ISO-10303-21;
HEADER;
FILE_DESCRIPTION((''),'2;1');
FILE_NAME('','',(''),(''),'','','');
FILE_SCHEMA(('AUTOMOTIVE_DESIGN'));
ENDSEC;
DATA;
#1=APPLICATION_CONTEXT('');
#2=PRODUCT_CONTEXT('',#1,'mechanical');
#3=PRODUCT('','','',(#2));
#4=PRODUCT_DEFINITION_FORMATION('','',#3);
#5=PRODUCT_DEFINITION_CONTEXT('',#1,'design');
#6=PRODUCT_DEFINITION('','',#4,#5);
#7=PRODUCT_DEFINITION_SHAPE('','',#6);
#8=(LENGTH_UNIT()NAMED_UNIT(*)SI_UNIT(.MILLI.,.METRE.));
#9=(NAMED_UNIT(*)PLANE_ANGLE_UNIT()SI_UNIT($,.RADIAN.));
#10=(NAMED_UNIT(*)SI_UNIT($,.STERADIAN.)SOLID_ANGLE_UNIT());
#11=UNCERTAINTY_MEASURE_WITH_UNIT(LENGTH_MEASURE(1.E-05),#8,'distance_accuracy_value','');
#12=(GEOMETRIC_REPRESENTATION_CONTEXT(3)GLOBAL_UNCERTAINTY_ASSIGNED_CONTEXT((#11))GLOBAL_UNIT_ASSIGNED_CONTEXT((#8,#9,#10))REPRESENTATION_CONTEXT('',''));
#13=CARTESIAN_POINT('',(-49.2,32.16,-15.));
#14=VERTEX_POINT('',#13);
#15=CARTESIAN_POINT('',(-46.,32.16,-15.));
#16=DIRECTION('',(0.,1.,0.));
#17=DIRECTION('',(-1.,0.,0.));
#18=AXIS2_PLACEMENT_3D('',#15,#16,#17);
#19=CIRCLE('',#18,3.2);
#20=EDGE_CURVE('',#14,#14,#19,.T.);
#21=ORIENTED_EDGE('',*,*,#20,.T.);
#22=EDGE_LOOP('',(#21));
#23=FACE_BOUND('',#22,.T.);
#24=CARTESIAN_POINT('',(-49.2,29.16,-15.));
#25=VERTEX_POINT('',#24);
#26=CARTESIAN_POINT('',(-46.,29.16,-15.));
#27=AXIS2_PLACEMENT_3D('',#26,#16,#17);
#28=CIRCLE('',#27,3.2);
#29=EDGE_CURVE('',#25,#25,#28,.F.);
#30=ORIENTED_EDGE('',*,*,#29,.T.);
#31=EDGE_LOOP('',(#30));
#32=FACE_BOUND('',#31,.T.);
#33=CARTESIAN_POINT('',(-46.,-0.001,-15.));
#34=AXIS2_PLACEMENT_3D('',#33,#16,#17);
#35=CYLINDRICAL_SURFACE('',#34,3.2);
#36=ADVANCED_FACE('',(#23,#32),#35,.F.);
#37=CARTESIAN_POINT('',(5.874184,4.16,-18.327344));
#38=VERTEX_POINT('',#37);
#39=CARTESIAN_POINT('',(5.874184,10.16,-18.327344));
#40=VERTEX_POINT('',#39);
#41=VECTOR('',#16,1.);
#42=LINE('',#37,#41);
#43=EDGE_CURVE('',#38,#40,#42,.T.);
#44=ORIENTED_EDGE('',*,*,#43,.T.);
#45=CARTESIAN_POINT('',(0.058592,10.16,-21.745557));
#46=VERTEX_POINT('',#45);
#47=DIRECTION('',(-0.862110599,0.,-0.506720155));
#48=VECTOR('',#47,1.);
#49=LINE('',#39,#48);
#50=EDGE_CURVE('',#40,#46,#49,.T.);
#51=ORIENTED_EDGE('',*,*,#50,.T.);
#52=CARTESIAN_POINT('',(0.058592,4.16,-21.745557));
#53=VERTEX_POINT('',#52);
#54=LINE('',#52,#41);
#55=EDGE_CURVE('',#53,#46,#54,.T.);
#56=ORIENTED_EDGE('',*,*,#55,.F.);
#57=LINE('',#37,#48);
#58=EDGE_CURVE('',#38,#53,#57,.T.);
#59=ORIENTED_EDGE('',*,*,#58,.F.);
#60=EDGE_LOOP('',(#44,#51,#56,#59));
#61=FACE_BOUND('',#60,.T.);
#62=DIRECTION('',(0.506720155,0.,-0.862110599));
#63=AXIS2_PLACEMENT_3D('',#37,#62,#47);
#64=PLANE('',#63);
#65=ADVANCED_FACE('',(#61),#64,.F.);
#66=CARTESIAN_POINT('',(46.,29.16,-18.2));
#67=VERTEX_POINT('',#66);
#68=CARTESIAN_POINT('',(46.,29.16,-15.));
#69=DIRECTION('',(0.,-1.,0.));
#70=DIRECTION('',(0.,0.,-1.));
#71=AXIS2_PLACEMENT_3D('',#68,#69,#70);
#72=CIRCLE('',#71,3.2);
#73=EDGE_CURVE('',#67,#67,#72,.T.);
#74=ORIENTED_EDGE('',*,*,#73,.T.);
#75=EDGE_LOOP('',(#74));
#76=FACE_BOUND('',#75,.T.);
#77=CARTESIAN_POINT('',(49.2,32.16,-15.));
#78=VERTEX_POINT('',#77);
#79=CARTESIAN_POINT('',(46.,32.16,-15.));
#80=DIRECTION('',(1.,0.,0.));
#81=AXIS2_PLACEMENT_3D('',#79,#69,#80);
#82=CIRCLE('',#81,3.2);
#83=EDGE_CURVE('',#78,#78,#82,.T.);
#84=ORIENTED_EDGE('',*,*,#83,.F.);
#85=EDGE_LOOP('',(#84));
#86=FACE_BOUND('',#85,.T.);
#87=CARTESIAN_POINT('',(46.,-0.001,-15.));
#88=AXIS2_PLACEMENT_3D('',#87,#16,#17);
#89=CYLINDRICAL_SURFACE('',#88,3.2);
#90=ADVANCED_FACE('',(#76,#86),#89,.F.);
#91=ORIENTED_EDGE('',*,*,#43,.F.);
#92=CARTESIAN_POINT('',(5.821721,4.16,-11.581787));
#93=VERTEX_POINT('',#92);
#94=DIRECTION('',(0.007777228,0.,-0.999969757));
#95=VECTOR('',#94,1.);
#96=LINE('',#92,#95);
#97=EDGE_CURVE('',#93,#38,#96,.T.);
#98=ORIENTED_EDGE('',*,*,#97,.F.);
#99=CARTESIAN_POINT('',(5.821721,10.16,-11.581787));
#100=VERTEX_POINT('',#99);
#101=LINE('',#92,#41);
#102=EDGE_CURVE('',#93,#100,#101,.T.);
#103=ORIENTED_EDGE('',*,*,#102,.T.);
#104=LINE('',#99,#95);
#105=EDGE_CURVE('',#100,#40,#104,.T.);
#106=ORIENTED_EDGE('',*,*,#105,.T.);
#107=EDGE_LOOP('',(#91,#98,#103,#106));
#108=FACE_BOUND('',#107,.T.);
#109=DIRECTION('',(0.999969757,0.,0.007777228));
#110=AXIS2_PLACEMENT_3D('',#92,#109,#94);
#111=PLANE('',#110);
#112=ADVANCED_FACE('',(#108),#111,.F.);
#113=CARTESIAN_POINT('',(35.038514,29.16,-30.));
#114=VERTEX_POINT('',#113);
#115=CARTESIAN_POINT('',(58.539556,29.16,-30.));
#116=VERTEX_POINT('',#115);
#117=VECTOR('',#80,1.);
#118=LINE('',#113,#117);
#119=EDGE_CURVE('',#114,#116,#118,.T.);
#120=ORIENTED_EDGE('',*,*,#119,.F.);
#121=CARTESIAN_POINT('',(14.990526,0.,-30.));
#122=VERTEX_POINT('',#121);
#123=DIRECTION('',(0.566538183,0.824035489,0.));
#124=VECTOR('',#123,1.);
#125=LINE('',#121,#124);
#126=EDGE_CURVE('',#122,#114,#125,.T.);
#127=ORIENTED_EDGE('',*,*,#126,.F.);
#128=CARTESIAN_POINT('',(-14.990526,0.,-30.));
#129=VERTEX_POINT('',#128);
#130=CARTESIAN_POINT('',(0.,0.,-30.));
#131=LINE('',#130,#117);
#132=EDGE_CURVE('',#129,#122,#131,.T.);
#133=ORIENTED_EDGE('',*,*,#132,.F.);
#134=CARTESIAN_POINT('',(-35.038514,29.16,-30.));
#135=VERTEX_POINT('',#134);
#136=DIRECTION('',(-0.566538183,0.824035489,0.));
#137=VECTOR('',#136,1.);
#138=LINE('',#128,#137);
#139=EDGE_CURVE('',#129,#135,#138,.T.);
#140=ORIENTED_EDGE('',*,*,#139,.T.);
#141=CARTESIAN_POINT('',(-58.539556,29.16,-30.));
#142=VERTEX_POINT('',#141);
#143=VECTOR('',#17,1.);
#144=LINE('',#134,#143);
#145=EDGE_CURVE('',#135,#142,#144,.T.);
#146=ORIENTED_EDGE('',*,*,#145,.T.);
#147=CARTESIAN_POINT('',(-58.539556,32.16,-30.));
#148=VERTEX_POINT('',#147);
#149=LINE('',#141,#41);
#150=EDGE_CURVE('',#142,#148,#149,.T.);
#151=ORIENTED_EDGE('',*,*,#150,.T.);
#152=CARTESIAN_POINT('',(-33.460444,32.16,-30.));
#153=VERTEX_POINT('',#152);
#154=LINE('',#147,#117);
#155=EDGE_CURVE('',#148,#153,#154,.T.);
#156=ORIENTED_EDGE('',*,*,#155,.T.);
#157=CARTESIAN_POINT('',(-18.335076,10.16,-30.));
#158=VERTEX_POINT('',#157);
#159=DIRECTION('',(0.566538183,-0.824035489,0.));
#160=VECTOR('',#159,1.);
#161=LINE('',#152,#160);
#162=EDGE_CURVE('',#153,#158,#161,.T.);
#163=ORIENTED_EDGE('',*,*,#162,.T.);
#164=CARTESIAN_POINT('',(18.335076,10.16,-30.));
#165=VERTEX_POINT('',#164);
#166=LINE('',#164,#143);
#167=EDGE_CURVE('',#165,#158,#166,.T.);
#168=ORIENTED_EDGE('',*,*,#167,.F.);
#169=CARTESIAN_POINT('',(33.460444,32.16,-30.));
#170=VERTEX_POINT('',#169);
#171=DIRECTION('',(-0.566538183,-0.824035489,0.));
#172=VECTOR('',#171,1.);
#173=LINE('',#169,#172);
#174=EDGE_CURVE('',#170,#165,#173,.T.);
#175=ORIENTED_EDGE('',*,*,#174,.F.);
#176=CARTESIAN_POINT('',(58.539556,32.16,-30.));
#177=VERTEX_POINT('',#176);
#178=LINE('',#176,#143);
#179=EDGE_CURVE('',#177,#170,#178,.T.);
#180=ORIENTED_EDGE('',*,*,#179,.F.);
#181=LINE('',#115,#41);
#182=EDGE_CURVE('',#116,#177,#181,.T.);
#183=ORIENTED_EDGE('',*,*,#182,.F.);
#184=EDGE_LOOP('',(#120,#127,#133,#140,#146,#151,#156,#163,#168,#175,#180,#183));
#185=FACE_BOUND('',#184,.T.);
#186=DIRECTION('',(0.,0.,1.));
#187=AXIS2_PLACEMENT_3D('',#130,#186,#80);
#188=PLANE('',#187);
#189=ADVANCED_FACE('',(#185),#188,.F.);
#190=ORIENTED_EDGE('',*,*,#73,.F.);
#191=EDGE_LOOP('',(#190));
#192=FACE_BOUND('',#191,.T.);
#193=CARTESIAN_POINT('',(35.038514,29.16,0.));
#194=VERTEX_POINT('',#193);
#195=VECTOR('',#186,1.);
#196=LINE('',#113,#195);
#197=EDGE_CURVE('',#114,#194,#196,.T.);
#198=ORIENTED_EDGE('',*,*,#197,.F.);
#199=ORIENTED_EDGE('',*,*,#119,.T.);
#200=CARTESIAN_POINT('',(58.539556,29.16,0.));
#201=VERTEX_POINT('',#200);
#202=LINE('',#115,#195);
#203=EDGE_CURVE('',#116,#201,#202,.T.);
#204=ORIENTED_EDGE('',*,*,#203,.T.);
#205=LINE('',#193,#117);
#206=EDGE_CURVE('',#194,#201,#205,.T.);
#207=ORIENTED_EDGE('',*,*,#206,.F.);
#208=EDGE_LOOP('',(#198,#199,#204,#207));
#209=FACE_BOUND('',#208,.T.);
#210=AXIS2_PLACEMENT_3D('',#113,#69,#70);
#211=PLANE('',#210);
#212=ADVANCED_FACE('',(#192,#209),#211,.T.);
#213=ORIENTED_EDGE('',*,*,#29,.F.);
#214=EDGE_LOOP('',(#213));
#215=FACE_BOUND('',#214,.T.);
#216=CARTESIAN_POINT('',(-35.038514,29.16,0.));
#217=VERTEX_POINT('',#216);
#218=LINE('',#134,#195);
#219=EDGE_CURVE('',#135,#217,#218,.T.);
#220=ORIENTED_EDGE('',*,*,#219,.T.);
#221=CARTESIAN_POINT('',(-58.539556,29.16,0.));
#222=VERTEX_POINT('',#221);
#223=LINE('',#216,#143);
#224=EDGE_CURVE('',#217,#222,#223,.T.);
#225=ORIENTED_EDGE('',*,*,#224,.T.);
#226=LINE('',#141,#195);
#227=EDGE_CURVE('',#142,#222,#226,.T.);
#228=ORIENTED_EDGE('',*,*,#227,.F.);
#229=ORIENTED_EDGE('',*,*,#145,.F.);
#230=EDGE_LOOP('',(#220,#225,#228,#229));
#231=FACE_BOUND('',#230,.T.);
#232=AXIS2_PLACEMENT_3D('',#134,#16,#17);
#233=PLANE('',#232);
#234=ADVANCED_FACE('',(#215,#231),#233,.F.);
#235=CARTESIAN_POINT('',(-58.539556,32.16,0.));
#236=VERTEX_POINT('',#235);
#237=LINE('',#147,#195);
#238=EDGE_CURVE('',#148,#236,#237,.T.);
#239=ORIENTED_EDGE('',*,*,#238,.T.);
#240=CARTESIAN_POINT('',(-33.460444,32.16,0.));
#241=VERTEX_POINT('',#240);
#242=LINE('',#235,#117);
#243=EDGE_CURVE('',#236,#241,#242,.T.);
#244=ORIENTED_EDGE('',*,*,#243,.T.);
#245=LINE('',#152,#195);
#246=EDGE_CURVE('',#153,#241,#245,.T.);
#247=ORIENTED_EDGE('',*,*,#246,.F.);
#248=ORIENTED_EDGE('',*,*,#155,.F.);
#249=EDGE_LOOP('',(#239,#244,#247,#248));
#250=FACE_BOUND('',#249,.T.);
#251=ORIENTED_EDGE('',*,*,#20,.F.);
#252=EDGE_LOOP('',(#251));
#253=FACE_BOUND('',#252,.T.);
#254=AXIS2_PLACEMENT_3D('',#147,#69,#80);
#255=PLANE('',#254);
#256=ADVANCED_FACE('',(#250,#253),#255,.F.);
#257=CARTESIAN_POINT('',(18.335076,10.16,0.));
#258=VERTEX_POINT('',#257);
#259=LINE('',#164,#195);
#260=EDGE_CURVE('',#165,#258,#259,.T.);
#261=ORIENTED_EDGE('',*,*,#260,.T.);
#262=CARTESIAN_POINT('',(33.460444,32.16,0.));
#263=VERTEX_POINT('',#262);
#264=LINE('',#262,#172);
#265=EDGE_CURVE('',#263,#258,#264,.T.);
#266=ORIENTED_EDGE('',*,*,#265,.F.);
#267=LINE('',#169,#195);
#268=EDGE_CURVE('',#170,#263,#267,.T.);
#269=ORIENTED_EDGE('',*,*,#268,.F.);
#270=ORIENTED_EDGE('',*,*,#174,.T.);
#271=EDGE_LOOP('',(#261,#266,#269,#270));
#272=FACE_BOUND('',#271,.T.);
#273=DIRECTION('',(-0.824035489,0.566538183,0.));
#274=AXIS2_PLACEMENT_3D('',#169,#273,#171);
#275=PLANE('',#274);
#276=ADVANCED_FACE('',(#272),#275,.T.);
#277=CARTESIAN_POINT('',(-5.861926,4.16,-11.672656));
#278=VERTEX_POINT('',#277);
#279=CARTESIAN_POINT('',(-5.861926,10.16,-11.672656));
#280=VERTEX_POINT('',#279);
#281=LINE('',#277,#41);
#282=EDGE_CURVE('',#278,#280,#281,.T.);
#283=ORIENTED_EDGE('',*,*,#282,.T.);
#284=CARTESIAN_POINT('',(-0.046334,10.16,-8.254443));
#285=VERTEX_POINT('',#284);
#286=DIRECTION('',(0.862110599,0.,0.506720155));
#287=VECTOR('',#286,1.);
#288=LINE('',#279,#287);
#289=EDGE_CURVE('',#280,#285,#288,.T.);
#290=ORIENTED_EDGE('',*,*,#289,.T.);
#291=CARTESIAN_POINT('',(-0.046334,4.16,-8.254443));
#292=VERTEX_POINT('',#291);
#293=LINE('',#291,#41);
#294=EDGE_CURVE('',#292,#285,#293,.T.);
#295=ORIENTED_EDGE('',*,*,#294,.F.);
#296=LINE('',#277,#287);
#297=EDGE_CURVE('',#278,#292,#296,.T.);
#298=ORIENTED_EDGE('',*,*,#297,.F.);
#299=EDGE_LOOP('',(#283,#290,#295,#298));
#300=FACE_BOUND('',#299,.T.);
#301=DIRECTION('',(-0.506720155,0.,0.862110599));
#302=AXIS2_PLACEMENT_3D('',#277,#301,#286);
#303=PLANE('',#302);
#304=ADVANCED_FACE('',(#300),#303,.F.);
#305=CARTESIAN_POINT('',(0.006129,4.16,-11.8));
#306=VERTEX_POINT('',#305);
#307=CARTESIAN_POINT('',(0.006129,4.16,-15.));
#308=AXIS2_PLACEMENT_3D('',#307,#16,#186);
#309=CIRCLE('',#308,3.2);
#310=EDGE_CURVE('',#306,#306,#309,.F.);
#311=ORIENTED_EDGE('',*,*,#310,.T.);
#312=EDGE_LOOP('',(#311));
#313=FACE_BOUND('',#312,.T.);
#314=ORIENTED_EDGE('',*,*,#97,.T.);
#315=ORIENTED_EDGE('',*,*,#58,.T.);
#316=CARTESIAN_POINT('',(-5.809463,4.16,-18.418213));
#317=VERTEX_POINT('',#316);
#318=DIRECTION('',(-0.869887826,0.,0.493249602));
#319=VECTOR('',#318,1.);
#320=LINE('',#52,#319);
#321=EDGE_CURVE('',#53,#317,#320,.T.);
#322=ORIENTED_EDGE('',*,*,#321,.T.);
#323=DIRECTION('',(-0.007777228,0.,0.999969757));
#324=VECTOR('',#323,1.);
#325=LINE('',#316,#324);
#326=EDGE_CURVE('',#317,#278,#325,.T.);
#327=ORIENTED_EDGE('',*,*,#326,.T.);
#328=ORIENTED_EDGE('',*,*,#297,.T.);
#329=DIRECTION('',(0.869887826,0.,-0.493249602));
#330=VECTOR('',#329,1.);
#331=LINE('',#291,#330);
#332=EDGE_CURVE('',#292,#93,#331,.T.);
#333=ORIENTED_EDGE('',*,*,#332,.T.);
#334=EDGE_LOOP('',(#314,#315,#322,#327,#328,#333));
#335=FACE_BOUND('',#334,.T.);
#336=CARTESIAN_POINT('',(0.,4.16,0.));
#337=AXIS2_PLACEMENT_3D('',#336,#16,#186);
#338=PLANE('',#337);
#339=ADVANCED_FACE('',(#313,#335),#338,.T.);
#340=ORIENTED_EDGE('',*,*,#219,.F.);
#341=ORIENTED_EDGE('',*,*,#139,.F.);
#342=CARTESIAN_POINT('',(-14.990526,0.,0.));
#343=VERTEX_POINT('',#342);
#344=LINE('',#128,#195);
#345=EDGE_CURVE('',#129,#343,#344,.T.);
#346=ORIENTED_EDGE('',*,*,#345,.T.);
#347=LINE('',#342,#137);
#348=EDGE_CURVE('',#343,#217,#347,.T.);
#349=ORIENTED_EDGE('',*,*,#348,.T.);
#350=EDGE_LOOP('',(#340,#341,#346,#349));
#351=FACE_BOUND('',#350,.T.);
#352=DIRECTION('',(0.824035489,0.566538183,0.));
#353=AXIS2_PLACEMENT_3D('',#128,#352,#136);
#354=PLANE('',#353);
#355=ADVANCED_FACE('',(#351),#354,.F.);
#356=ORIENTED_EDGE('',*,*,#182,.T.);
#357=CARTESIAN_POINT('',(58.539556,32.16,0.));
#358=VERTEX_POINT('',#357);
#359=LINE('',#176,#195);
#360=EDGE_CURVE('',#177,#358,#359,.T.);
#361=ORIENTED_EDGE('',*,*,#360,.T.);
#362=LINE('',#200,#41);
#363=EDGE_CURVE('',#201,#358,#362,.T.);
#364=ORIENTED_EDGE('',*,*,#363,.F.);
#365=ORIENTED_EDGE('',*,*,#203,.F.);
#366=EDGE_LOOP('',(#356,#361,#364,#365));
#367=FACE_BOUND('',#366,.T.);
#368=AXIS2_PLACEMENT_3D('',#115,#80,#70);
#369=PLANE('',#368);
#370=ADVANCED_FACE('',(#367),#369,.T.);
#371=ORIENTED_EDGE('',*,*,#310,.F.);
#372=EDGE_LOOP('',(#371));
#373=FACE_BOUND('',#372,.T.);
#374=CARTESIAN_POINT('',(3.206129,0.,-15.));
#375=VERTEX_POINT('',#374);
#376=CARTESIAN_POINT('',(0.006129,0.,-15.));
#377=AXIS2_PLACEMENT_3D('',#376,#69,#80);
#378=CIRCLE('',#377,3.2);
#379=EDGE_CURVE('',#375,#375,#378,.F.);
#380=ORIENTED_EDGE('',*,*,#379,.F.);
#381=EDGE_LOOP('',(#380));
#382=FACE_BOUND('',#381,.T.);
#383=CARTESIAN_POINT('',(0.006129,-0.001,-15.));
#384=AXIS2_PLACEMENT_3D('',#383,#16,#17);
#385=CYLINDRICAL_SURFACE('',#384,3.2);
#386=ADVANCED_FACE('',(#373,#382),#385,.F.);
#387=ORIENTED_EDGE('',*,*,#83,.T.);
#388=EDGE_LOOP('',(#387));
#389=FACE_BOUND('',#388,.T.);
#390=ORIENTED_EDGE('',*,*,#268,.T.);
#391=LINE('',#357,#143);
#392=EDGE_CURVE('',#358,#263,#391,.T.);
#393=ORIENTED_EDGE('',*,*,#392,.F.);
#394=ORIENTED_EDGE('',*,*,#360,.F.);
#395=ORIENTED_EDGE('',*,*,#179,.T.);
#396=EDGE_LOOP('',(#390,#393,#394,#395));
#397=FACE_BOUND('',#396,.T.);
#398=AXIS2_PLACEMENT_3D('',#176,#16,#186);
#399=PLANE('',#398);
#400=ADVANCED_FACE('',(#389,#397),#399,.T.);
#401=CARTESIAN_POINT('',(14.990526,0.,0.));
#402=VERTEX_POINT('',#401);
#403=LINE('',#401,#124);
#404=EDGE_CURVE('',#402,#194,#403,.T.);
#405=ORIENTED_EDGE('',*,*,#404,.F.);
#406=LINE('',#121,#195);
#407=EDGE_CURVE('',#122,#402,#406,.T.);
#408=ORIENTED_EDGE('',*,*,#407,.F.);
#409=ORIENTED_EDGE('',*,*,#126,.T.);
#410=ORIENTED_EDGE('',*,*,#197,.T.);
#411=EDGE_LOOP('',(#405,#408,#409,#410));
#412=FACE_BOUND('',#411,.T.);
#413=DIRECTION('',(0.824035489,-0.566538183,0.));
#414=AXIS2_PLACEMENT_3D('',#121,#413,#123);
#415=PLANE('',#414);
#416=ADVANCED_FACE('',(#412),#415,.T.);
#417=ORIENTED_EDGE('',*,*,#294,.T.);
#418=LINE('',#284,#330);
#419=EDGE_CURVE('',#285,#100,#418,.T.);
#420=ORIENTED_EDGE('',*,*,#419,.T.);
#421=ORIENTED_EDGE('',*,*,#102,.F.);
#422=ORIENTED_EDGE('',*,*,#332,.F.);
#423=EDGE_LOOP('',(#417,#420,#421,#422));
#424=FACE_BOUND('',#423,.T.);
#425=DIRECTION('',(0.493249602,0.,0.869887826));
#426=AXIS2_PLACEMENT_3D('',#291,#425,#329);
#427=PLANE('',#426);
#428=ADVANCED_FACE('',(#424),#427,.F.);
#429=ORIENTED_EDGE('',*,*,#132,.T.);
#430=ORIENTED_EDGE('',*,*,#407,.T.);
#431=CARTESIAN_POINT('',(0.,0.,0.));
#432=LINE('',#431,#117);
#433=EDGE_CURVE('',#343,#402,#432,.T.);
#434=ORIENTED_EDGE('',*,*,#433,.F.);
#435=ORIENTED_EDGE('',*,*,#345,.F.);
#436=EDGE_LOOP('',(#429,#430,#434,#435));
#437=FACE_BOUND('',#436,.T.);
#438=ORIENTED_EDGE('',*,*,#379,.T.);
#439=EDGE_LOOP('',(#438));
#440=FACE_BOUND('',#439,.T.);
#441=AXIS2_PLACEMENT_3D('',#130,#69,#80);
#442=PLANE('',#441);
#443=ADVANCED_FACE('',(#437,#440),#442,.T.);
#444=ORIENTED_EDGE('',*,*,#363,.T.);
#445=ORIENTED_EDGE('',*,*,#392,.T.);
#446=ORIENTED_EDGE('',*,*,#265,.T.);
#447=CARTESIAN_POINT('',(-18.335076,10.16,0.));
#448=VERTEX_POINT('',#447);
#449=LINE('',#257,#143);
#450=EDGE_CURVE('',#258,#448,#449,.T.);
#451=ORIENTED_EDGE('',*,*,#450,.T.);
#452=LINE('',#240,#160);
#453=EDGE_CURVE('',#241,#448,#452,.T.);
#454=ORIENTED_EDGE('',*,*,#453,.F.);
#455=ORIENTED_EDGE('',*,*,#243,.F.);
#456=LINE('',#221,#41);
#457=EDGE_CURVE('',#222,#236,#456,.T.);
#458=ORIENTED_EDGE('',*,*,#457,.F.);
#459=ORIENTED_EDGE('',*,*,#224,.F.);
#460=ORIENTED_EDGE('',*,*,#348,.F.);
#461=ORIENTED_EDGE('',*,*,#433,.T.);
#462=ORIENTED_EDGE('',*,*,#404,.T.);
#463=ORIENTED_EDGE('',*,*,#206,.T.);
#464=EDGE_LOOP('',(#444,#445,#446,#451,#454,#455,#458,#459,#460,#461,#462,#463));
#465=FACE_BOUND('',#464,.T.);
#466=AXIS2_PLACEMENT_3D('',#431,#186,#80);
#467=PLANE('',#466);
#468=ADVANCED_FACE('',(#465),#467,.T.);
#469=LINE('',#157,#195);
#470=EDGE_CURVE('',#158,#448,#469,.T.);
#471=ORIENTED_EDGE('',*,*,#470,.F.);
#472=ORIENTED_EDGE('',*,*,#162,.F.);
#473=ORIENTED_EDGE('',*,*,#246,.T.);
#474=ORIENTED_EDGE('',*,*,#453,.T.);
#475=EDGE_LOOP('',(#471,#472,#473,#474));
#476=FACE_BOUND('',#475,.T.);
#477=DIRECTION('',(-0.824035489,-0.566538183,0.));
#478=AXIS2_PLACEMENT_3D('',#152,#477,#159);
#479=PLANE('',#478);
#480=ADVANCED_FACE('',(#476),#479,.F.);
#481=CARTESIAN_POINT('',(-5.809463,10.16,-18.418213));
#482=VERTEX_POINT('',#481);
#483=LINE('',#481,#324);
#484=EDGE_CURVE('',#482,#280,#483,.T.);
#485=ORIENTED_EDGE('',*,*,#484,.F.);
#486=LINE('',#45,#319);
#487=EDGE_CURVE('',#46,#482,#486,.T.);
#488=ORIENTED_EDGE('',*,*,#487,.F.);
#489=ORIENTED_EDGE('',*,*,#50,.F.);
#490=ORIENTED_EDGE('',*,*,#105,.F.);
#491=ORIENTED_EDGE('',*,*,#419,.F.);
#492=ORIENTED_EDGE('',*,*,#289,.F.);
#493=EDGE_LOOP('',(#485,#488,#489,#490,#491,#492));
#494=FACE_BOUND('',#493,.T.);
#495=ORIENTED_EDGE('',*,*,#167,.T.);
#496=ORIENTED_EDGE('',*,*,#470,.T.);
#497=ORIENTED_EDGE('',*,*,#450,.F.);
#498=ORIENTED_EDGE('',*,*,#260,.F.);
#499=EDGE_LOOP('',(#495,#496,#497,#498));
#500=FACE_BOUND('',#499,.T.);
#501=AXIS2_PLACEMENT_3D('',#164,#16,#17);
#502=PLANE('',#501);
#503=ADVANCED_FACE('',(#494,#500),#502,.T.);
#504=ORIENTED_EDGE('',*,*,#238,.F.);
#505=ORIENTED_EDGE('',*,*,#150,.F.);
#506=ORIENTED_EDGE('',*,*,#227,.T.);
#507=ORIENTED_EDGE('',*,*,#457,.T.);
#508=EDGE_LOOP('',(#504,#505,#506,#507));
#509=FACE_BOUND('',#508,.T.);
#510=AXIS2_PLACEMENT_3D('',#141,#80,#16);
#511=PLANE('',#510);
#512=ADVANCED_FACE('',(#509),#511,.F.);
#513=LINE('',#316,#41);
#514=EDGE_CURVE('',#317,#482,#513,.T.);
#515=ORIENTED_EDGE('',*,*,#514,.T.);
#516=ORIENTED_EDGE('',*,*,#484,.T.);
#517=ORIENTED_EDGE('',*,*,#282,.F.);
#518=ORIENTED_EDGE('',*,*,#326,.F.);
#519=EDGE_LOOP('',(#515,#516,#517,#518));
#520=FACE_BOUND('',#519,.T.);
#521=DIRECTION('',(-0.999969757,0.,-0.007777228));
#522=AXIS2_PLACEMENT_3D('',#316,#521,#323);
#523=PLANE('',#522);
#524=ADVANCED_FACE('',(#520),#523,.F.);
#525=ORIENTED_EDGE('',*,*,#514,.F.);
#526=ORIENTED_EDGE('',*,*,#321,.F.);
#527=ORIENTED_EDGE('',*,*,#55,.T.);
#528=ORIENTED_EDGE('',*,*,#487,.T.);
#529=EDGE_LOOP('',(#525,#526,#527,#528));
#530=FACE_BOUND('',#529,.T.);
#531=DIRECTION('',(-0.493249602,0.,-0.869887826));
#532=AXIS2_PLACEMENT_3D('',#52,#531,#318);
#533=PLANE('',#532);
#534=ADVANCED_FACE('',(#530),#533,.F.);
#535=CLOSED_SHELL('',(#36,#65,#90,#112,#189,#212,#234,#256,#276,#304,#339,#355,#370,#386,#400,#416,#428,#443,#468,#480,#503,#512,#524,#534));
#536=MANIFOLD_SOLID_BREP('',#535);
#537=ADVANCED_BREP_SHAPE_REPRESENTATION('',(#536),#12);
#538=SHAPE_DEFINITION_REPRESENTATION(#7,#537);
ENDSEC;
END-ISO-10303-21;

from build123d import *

# Parameters (mm, degrees)
BOSS_EXTRUDE1_DEPTH = 30
SKETCH2_R           = 3.2
CUT_EXTRUDE1_DEPTH  = 3
CUT_EXTRUDE2_REACH  = 12.16
SKETCH5_R           = 3.2
CUT_EXTRUDE3_DEPTH  = 6


with BuildPart() as part:
    # Sketch1 → Boss-Extrude1 (new body)
    with BuildSketch(Plane.XY):
        Polygon((0, 0), (14.990525772, 0), (35.038513576, 29.16), (58.53955614, 29.16), (58.53955614, 32.16), (33.46044386, 32.16), (18.335075832, 10.16), (0, 10.16), align=None)
    boss_extrude1 = extrude(amount=-BOSS_EXTRUDE1_DEPTH)

    # Mirror1: Boss-Extrude1 across plane
    add(boss_extrude1.mirror(Plane(origin=(0, 10.16, -30), x_dir=(0, 0, 1), z_dir=(-1, 0, 0))))

    # Sketch2 → Cut-Extrude1 (cut)
    with BuildSketch(Plane(origin=(0, 32.16, 0), x_dir=(1, 0, 0), z_dir=(0, 1, 0))):
        with Locations((-46, 15)):
            Circle(SKETCH2_R)
    cut_extrude1 = extrude(amount=-CUT_EXTRUDE1_DEPTH, mode=Mode.SUBTRACT)

    # Mirror2: Cut-Extrude1 across plane
    add(cut_extrude1.mirror(Plane(origin=(0, 0, 0), x_dir=(0, 0, 1), z_dir=(1, 0, 0))), mode=Mode.SUBTRACT)

    # Sketch5 → Cut-Extrude2 (cut, up to next)
    with BuildSketch(Plane(origin=(0, 10.16, 0), x_dir=(1, 0, 0), z_dir=(0, 1, 0)), mode=Mode.PRIVATE) as cut_extrude2_sk1:
        with Locations((0.006129123, 15)):
            Circle(SKETCH5_R)
    cut_extrude2_tool1 = extrude(cut_extrude2_sk1.sketch, amount=-CUT_EXTRUDE2_REACH, mode=Mode.PRIVATE) & part.part
    add(cut_extrude2_tool1.solids().sort_by_distance((0.006129, 10.16, -15))[0], mode=Mode.SUBTRACT)

    # Sketch6 → Cut-Extrude3 (cut)
    with BuildSketch(Plane(origin=(0, 10.16, 0), x_dir=(1, 0, 0), z_dir=(0, 1, 0))):
        Polygon((-5.809462538, 18.418212831), (-5.861925855, 11.672656299), (-0.046334193, 8.254443467), (5.821720785, 11.581787169), (5.874184102, 18.327343701), (0.05859244, 21.745556533), align=None)
    extrude(amount=-CUT_EXTRUDE3_DEPTH, mode=Mode.SUBTRACT)


solid = part.part
